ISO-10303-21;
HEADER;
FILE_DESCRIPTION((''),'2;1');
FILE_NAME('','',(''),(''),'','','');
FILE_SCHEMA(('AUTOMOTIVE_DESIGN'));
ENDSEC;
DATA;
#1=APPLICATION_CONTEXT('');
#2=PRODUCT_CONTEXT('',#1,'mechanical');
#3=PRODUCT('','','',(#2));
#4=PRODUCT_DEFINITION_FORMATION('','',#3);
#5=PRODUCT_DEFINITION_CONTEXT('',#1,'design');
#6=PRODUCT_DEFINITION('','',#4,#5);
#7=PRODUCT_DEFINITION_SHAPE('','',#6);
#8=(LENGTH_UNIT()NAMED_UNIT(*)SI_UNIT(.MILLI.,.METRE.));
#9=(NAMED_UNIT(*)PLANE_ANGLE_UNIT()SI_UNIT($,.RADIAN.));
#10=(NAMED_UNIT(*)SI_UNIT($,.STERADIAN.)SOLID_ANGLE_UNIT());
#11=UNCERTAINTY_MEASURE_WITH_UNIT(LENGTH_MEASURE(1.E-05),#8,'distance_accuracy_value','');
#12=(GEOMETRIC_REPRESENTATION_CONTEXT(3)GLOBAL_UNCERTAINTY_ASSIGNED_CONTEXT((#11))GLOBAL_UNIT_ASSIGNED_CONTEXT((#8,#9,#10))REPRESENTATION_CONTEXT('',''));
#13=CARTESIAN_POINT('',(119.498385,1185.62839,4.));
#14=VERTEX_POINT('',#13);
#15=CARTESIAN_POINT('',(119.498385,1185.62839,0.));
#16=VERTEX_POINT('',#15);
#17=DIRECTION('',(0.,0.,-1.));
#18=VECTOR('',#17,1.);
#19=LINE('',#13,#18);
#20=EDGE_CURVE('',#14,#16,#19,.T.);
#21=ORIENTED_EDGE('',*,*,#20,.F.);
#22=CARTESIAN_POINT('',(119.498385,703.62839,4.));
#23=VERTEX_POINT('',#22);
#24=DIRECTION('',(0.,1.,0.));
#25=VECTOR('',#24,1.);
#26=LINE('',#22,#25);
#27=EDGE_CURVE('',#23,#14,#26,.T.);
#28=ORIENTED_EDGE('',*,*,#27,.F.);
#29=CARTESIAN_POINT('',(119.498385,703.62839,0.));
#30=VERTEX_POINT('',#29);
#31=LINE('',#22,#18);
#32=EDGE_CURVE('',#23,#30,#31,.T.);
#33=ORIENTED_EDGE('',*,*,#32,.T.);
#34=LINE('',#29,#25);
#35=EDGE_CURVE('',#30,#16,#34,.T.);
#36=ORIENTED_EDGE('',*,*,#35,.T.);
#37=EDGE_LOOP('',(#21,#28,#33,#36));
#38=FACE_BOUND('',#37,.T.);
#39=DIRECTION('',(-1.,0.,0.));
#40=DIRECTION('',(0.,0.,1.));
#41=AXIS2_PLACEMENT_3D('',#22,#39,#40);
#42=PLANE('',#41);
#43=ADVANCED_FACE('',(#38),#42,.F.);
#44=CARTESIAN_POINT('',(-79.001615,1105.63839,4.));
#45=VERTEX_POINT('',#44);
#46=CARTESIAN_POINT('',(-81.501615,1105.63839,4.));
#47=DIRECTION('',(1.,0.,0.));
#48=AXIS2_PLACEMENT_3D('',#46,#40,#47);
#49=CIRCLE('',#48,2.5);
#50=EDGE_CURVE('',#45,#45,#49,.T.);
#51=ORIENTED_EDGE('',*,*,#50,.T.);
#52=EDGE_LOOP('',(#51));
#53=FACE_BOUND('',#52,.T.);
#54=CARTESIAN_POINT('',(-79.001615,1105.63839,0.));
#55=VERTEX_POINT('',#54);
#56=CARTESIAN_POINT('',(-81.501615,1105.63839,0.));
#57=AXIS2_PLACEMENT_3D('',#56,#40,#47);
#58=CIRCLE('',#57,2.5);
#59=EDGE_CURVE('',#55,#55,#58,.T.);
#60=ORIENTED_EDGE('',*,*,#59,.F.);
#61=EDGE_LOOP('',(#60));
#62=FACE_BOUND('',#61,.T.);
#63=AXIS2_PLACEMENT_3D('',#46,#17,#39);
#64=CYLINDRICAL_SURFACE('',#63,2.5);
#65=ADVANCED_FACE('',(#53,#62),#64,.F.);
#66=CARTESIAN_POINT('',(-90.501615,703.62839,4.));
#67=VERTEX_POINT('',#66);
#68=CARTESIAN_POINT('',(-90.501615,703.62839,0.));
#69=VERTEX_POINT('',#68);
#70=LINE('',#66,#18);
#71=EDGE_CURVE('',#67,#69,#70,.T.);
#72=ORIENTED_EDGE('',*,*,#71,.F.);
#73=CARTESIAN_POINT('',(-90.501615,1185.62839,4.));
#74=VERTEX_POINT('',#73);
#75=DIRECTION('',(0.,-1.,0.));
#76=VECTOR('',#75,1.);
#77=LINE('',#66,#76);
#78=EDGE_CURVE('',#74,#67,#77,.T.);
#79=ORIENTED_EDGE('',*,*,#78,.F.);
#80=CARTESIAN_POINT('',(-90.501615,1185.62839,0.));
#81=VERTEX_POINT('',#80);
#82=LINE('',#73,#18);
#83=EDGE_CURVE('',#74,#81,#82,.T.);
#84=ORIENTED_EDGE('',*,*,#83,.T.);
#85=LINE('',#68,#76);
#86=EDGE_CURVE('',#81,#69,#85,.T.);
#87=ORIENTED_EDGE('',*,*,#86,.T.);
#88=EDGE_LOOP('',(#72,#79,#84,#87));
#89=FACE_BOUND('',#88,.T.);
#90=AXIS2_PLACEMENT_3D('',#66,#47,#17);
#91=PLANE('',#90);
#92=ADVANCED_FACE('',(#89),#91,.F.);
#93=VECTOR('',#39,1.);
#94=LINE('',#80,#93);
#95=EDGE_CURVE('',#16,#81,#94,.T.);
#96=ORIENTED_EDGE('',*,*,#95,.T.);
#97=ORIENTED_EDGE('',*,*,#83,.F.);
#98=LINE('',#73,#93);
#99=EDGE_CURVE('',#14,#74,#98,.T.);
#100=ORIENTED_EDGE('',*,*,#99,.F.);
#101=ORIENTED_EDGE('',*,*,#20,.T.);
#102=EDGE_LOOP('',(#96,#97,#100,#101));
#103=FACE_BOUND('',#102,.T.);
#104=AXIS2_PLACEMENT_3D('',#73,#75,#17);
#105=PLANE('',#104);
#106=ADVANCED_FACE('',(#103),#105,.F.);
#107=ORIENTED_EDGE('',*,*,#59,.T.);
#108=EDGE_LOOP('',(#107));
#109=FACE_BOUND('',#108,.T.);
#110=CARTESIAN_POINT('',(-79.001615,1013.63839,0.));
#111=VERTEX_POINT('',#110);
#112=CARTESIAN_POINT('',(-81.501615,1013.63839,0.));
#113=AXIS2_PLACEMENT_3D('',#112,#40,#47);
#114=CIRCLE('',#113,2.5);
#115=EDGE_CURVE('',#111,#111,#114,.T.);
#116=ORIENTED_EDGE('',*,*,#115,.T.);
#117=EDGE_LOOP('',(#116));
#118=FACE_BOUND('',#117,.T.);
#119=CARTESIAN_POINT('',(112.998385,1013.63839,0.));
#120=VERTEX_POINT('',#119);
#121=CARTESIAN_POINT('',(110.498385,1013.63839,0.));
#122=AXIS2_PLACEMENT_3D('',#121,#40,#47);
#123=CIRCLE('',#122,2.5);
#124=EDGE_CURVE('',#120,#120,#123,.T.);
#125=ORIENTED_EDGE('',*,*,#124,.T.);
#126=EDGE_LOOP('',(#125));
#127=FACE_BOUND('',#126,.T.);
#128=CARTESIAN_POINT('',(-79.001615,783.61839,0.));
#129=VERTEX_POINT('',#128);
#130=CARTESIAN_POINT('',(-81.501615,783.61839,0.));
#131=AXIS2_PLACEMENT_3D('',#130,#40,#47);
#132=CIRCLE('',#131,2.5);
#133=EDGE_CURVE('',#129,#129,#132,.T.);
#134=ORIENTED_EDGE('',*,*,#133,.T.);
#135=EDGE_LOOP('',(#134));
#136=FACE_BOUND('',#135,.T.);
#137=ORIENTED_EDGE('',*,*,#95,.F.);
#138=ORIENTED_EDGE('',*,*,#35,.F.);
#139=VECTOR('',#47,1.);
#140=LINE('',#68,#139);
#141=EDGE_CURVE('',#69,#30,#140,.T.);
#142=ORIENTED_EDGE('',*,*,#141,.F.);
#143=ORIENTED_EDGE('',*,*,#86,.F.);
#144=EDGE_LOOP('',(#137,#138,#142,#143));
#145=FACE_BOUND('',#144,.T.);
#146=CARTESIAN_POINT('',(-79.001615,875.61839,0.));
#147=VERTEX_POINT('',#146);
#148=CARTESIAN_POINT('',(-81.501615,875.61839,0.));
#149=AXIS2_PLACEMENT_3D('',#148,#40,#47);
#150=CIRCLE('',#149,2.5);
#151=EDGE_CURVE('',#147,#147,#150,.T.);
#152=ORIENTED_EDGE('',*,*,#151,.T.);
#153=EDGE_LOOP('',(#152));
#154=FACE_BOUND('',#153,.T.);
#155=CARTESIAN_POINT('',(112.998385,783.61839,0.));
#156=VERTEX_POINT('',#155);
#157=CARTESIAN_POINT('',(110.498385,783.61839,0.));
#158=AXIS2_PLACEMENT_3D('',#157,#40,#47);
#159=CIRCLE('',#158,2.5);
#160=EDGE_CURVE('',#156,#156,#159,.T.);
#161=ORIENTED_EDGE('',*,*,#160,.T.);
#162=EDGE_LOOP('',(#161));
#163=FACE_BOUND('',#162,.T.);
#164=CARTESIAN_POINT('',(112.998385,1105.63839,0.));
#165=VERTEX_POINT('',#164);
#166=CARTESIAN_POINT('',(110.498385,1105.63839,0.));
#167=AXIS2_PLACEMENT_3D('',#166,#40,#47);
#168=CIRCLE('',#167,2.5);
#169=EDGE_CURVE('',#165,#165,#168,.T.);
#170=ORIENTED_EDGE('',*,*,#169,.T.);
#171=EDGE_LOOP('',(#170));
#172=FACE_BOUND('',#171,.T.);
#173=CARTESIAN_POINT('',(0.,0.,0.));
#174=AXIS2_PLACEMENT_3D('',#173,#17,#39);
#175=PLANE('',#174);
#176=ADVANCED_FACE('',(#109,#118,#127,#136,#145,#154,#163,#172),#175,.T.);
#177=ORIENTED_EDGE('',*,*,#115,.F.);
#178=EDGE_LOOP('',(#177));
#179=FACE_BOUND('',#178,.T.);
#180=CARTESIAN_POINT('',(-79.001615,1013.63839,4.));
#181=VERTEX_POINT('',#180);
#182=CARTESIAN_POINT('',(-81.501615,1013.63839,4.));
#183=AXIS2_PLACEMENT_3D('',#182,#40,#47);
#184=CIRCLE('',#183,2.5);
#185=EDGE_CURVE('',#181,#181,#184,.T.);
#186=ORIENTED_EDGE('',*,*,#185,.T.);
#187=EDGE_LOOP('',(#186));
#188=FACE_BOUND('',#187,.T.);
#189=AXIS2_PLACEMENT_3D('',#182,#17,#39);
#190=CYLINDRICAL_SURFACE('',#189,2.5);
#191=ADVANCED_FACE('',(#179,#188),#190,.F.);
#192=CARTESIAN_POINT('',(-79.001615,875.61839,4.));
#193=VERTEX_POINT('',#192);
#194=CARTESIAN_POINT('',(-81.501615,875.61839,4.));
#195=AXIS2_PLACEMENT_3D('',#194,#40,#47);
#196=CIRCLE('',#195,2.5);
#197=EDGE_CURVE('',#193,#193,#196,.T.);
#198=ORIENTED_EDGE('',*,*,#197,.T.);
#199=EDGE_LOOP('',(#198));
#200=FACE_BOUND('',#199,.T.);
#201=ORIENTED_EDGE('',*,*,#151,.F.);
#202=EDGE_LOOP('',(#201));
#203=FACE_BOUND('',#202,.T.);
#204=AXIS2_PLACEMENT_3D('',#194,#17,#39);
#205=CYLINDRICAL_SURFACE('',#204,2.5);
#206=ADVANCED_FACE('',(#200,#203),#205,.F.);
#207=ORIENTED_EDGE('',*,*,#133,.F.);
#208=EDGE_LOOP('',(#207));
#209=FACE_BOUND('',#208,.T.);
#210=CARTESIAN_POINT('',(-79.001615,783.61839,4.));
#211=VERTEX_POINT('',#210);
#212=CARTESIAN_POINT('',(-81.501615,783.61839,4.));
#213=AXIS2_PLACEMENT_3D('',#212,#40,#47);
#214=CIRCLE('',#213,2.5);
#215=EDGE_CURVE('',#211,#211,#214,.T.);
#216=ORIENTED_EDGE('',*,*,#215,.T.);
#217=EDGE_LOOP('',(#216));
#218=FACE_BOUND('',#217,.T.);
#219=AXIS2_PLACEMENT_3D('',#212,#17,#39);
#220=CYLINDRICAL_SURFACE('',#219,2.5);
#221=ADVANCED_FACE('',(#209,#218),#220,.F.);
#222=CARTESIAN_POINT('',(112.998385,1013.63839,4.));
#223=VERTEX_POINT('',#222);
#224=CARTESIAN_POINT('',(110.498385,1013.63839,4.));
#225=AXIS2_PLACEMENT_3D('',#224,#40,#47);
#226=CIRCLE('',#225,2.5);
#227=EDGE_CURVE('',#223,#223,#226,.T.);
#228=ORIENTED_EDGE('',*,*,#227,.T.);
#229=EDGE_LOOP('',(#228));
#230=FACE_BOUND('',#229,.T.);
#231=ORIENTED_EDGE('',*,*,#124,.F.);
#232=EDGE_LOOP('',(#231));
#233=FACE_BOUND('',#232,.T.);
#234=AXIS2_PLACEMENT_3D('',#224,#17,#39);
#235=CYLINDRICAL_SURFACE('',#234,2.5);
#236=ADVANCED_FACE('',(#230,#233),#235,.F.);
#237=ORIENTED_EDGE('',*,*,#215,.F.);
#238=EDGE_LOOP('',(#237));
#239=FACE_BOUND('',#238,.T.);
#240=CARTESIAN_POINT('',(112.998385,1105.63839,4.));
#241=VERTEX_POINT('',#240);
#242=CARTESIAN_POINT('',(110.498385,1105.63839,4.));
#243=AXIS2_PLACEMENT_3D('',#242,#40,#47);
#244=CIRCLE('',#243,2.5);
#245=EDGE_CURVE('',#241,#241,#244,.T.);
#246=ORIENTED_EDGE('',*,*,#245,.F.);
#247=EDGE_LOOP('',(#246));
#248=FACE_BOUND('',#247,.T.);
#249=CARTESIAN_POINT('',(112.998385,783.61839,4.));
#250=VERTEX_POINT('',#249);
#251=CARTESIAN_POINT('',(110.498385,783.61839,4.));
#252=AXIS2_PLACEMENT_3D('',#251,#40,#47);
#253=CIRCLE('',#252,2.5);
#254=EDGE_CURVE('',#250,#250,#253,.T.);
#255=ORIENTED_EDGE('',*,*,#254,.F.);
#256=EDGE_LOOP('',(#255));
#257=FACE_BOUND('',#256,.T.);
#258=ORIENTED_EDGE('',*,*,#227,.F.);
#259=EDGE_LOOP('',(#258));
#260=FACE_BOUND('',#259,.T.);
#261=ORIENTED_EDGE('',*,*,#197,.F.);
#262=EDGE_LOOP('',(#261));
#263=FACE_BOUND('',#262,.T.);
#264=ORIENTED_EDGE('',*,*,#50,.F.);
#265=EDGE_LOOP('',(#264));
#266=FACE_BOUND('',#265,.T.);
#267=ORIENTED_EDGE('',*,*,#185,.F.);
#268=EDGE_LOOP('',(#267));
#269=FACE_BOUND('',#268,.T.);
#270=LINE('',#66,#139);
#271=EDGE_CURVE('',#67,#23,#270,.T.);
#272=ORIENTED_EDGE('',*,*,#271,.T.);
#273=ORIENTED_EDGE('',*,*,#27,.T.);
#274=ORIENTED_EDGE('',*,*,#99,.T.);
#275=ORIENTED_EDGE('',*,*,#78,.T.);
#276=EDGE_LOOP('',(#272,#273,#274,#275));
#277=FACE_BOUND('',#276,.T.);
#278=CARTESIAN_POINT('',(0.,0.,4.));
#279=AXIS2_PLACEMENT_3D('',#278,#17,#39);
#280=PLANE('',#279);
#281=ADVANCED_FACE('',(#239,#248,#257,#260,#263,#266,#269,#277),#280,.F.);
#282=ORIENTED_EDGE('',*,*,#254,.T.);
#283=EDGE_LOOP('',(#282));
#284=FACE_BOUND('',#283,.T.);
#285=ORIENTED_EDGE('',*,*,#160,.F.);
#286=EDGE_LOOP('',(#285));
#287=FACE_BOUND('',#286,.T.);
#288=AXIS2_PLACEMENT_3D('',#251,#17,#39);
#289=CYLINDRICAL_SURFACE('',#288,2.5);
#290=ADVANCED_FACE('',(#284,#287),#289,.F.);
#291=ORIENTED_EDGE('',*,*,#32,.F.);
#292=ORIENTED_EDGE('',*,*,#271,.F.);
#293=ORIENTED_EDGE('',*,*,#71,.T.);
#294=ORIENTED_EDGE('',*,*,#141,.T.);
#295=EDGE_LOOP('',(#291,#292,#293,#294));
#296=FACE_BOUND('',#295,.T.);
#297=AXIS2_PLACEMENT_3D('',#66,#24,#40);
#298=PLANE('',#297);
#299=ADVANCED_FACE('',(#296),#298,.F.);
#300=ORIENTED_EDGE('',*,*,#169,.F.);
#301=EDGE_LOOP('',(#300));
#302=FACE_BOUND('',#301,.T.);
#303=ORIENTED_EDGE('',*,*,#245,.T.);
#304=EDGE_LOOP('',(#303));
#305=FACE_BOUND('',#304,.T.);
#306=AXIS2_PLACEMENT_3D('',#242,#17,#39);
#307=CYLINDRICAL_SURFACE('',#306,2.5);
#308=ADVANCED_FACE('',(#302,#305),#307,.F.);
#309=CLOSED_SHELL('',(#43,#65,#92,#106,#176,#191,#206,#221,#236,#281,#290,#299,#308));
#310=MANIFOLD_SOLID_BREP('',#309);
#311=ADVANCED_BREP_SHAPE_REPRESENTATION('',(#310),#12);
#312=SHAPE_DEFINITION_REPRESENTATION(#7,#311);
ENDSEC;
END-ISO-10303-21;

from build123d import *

# Parameters (mm, degrees)
CROQUIS1_W              = 210
CROQUIS1_H              = 482
CROQUIS1_R              = 2.5
SALIENTE_EXTRUIR1_DEPTH = 4


with BuildPart() as part:
    # Croquis1 → Saliente-Extruir1 (new body)
    with BuildSketch(Plane.XY):
        with Locations((14.498385096, 944.628389678)):
            Rectangle(CROQUIS1_W, CROQUIS1_H)
        with Locations((110.498385096, 1105.638389678)):
            Circle(CROQUIS1_R, mode=Mode.SUBTRACT)
        with Locations((-81.501614904, 1105.638389678)):
            Circle(CROQUIS1_R, mode=Mode.SUBTRACT)
        with Locations((-81.501614904, 1013.638389678)):
            Circle(CROQUIS1_R, mode=Mode.SUBTRACT)
        with Locations((110.498385096, 1013.638389678)):
            Circle(CROQUIS1_R, mode=Mode.SUBTRACT)
        with Locations((-81.501614904, 875.618389678)):
            Circle(CROQUIS1_R, mode=Mode.SUBTRACT)
        with Locations((110.498385096, 783.618389678)):
            Circle(CROQUIS1_R, mode=Mode.SUBTRACT)
        with Locations((-81.501614904, 783.618389678)):
            Circle(CROQUIS1_R, mode=Mode.SUBTRACT)
    extrude(amount=SALIENTE_EXTRUIR1_DEPTH)


solid = part.part
